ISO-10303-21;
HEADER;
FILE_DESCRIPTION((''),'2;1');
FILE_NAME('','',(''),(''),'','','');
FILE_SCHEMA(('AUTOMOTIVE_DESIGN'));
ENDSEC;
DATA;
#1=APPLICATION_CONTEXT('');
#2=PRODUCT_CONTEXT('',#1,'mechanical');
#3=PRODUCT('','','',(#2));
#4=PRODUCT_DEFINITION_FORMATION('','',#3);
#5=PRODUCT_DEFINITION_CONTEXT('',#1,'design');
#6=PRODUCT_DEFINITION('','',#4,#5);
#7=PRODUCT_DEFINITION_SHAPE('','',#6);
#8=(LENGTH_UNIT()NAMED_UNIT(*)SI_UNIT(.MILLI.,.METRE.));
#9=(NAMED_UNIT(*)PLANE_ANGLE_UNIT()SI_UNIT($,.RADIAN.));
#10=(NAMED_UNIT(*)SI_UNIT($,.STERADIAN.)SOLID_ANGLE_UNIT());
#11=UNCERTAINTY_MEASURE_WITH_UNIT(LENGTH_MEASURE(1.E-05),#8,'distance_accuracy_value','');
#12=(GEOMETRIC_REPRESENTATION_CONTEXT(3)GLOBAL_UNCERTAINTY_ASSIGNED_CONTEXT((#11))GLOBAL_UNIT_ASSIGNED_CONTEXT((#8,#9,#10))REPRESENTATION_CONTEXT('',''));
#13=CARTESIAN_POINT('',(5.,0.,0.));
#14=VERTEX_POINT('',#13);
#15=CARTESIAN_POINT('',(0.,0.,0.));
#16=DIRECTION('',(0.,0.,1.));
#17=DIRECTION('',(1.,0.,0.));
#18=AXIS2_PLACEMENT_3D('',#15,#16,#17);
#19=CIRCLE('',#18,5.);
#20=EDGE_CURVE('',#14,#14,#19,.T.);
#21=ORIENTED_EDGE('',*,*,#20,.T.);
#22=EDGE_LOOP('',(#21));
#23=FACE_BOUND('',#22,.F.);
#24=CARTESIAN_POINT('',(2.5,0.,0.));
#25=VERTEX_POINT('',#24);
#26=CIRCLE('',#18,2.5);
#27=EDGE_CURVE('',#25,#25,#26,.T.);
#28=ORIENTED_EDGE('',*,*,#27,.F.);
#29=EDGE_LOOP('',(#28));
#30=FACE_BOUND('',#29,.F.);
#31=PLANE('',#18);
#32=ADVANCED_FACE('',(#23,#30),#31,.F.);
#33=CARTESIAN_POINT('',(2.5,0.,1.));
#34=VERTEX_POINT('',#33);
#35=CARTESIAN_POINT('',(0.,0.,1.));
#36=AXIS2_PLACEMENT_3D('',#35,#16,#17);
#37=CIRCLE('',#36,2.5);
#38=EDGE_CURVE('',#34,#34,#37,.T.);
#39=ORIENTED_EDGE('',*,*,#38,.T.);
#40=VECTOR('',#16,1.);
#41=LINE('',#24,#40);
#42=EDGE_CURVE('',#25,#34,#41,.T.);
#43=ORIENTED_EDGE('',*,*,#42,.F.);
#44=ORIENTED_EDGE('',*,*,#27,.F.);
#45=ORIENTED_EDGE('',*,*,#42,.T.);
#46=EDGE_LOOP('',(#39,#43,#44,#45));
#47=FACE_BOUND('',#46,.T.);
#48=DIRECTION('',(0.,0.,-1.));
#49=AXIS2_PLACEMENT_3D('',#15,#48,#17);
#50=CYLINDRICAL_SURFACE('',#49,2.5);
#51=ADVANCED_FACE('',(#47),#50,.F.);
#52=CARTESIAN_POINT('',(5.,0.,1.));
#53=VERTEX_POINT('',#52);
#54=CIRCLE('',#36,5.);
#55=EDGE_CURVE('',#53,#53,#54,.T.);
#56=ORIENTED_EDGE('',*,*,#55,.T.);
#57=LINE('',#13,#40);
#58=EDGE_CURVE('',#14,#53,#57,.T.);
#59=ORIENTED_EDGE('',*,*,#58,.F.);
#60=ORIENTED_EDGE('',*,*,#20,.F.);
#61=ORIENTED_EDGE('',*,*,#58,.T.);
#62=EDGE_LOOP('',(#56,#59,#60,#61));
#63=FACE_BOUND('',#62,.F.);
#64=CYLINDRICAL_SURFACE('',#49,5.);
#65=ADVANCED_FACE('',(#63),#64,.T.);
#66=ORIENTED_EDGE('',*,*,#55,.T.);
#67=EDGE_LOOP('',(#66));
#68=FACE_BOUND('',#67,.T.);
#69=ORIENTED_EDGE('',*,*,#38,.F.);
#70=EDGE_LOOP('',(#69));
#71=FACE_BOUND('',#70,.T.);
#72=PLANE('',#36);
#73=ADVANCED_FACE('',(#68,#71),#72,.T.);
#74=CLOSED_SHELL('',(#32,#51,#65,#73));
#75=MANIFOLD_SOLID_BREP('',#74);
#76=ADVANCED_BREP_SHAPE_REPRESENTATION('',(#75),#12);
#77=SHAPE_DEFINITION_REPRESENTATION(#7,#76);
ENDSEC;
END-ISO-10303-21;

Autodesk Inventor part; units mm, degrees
ref_plane "YZ Plane" through (0, 0, 0) normal (1, 0, 0) x (0, 1, 0)
ref_plane "XZ Plane" through (0, 0, 0) normal (0, 1, 0) x (-1, 0, 0)
ref_plane "XY Plane" through (0, 0, 0) normal (0, 0, 1) x (1, 0, 0)
sketch "Sketch1" plane through (0, 0, 0) normal (0, 0, 1) x (1, 0, 0)
  circle A0 centre (0, 0) radius 2.5
  circle A1 centre (0, 0) radius 5
  dimension "d0" = 5
  dimension "d2" = 10
extrude "Extrusion1" add sketch "Sketch1" along normal blind 1
properties part number "m5 washer"
